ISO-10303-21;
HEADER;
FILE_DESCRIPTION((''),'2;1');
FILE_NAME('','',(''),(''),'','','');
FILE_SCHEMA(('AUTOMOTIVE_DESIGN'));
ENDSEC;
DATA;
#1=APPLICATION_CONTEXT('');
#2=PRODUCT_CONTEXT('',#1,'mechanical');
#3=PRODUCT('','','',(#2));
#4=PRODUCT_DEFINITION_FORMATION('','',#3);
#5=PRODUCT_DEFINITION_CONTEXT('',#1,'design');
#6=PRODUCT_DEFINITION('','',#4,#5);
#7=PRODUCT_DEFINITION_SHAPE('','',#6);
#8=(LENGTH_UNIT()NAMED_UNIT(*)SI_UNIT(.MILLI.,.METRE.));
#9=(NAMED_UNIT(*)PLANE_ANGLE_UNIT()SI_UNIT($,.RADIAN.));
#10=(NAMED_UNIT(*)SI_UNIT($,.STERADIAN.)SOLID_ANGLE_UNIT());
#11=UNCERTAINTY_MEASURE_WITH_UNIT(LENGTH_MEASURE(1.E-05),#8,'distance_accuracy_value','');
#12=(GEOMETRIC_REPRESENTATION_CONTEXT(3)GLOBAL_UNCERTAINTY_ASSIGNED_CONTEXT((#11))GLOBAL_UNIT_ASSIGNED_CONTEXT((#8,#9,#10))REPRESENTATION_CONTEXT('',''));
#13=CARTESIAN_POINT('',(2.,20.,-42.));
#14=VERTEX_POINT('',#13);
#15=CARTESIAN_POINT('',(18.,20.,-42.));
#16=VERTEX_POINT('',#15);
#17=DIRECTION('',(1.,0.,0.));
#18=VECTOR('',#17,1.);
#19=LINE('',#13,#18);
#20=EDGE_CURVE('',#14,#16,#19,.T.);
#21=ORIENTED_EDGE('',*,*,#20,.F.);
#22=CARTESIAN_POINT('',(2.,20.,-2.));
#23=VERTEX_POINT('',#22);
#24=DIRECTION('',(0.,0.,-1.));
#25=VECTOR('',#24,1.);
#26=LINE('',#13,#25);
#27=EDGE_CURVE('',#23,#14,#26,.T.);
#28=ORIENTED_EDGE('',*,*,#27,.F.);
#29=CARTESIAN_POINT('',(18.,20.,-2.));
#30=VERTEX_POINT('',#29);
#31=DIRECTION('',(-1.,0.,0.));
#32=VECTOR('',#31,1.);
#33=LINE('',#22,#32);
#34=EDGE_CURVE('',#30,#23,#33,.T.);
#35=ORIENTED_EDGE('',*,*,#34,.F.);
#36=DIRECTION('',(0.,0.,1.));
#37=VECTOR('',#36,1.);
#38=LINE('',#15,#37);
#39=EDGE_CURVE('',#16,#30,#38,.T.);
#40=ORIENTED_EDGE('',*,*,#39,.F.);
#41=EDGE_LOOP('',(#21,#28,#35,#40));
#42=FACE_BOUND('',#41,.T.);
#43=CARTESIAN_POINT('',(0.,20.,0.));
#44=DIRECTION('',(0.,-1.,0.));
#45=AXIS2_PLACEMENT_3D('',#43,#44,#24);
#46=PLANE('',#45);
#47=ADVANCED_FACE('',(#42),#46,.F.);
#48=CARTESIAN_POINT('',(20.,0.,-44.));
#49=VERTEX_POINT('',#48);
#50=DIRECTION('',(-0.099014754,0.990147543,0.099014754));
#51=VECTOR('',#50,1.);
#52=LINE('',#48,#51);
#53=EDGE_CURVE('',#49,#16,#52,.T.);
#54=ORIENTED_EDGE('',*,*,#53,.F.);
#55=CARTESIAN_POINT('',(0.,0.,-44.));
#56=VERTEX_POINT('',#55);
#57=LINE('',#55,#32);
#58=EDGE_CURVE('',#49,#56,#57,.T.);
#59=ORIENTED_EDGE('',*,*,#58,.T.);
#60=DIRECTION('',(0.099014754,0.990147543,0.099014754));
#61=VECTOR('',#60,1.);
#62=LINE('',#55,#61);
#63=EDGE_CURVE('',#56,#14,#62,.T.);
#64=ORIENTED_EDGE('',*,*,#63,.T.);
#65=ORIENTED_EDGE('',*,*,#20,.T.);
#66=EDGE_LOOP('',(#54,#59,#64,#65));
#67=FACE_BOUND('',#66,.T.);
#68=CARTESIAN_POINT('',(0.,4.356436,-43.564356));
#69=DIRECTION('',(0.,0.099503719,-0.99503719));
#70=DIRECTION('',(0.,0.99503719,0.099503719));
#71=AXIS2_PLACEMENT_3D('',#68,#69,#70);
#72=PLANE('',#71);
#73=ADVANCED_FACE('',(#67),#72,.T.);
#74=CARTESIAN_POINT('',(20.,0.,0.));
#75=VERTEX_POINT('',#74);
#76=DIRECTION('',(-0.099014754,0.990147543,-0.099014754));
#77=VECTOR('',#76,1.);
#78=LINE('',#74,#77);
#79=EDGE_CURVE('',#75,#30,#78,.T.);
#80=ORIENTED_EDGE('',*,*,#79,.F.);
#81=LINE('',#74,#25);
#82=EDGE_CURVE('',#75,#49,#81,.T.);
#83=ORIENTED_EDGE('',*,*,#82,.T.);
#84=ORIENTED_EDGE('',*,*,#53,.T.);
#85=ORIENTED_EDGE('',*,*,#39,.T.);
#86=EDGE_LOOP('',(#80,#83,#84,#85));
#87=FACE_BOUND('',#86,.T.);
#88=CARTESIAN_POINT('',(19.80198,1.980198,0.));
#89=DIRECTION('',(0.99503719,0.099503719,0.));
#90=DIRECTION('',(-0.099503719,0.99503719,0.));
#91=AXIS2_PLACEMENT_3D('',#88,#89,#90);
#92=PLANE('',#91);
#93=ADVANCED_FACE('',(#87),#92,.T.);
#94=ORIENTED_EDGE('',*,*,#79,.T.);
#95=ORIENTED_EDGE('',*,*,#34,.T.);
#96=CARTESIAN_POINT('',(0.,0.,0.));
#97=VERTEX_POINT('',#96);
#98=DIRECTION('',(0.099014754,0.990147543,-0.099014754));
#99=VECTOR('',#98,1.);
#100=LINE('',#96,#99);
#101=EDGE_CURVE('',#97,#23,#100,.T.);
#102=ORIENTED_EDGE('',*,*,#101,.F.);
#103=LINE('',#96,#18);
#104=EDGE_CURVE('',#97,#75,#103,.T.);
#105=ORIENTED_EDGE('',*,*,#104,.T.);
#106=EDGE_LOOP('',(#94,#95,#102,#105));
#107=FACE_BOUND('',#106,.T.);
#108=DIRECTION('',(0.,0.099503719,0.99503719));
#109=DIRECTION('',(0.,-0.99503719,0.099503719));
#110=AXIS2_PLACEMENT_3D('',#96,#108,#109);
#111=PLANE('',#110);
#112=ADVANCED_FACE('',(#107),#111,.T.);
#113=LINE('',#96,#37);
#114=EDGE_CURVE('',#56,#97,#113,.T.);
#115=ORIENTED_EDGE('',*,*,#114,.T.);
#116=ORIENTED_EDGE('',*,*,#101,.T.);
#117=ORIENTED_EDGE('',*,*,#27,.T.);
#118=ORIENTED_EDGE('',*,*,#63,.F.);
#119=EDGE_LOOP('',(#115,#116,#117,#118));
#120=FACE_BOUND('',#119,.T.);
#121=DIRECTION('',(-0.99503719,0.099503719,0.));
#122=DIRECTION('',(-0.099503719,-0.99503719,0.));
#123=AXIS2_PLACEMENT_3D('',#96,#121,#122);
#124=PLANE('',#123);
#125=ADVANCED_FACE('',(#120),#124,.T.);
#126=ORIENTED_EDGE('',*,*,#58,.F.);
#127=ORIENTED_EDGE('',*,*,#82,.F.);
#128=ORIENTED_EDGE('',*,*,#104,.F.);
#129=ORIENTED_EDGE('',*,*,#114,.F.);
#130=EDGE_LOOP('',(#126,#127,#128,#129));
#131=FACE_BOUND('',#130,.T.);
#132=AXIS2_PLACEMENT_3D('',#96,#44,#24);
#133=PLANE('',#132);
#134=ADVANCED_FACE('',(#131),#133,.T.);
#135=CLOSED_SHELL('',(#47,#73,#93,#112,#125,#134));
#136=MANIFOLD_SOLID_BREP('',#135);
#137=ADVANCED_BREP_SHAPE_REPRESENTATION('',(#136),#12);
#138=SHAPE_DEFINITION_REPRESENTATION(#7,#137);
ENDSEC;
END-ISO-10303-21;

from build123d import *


with BuildPart() as part:
    # Sketch1 → Loft1 section 0
    with BuildSketch(Plane(origin=(0, 0, 0), x_dir=(1, 0, 0), z_dir=(0, 1, 0))):
        with BuildLine():
            Line((0, 0), (20, 0))
            Line((20, 0), (20, 44))
            Line((20, 44), (0, 44))
            Line((0, 44), (0, 0))
        make_face()
    # Sketch3 → Loft1 section 1
    with BuildSketch(Plane(origin=(0, 20, 0), x_dir=(1, 0, 0), z_dir=(0, 1, 0))):
        with BuildLine():
            Line((2, 42), (2, 2))
            Line((2, 2), (18, 2))
            Line((18, 2), (18, 42))
            Line((18, 42), (2, 42))
        make_face()
    loft()


solid = part.part
